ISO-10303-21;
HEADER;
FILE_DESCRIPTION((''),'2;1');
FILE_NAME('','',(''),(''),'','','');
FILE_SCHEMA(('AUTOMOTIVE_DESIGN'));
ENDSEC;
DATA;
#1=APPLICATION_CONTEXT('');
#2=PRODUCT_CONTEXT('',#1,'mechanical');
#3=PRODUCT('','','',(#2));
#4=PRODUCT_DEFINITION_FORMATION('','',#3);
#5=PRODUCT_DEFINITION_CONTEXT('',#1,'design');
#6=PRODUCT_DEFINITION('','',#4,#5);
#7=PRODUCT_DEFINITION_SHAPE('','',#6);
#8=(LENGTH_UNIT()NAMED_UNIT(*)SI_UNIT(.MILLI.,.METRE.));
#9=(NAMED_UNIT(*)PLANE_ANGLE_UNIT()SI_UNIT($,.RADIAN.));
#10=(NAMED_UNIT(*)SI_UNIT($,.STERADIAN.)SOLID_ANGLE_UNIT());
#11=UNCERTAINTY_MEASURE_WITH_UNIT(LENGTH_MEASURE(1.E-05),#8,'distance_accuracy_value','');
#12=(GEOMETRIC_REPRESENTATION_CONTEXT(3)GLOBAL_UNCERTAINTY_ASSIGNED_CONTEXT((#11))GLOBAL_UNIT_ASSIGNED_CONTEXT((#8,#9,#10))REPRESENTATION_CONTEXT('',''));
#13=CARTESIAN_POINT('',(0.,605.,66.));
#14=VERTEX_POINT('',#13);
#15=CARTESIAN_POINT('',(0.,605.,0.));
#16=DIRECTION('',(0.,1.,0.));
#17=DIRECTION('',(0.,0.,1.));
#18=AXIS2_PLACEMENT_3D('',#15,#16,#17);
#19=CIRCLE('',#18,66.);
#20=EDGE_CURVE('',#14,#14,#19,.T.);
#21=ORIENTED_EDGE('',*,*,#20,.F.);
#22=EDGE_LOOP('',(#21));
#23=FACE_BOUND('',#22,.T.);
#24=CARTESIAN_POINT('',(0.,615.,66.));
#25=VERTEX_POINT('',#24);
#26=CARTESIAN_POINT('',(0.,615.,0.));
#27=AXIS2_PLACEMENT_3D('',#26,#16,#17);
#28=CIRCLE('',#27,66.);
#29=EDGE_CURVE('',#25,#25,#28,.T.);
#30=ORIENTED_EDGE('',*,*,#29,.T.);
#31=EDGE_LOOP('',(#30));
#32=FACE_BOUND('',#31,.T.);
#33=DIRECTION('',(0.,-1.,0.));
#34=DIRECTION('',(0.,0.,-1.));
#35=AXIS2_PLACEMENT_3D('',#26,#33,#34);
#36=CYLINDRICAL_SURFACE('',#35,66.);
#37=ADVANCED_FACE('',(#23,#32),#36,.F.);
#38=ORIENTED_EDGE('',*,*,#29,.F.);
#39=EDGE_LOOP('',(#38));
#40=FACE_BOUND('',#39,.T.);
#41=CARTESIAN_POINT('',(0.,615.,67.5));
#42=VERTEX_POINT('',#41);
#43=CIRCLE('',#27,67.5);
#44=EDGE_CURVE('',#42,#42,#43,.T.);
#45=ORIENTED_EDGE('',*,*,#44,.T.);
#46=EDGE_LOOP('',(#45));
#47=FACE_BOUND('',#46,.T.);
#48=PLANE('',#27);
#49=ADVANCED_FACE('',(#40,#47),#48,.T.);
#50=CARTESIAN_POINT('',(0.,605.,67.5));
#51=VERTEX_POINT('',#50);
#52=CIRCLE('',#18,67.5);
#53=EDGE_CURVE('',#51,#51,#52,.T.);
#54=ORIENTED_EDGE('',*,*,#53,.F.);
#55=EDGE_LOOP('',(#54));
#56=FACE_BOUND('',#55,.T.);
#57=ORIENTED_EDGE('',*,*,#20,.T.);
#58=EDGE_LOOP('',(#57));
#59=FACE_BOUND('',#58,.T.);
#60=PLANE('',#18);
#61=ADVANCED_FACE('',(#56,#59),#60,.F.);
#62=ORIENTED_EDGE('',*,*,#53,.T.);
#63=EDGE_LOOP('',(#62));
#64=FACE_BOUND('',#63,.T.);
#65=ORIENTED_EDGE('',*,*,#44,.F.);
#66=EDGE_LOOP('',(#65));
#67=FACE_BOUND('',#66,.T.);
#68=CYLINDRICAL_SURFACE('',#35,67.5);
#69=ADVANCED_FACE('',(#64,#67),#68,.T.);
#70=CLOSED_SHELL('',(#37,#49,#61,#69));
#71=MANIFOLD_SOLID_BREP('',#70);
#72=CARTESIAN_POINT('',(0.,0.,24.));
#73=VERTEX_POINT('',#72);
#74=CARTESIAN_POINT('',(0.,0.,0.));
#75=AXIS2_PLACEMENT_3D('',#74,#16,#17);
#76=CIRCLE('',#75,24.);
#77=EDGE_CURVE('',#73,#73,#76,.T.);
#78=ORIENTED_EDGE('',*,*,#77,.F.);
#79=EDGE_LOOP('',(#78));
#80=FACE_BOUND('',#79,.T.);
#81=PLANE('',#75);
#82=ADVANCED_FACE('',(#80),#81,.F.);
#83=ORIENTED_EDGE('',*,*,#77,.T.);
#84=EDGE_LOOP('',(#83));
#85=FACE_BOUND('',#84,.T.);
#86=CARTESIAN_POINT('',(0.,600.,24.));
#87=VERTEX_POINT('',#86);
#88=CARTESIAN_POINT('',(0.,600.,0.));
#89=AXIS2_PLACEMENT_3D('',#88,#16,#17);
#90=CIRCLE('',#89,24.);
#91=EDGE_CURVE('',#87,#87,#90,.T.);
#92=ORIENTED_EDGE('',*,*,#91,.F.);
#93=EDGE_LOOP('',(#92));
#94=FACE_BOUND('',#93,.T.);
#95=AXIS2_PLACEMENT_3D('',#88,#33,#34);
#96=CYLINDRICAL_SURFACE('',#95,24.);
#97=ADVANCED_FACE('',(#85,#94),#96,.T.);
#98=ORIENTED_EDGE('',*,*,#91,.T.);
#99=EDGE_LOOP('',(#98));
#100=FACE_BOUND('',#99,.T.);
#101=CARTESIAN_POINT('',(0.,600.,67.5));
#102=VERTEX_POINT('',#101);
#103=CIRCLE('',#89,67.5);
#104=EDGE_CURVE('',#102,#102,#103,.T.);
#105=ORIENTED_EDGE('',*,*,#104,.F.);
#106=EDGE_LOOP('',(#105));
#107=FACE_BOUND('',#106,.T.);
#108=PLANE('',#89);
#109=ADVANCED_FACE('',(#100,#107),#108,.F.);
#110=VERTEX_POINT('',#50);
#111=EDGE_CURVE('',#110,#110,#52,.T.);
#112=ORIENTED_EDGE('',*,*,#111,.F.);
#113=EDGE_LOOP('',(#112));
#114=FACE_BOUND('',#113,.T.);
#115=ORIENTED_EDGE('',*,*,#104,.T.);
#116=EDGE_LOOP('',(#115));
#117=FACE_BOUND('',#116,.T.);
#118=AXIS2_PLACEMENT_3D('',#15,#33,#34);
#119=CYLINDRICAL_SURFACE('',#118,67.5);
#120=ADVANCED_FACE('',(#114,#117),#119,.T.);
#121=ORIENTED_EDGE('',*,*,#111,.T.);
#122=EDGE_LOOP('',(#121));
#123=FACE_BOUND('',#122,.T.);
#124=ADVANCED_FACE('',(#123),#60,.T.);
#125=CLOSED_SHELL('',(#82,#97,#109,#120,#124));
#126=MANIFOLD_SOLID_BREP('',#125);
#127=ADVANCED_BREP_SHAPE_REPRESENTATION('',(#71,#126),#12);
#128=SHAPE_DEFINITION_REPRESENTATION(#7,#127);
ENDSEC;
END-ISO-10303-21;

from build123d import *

# Parameters (mm, degrees)
SKETCH1_R           = 24
BOSS_EXTRUDE1_DEPTH = 600
SKETCH7_R           = 67.5
BOSS_EXTRUDE5_DEPTH = 5
SKETCH6_R           = 67.5
SKETCH6_R_2         = 66
BOSS_EXTRUDE4_DEPTH = 10


with BuildPart() as part:
    # Sketch1 → Boss-Extrude1 (new body)
    with BuildSketch(Plane(origin=(0, 0, 0), x_dir=(1, 0, 0), z_dir=(0, 1, 0))):
        Circle(SKETCH1_R)
    extrude(amount=BOSS_EXTRUDE1_DEPTH)

    # Sketch7 → Boss-Extrude5 (add)
    with BuildSketch(Plane(origin=(0, 600, 0), x_dir=(1, 0, 0), z_dir=(0, 1, 0))):
        Circle(SKETCH7_R)
    extrude(amount=BOSS_EXTRUDE5_DEPTH)


with BuildPart() as body_2:
    # Sketch6 → Boss-Extrude4 (new body)
    with BuildSketch(Plane(origin=(0, 605, 0), x_dir=(1, 0, 0), z_dir=(0, 1, 0))):
        Circle(SKETCH6_R)
        Circle(SKETCH6_R_2, mode=Mode.SUBTRACT)
    extrude(amount=BOSS_EXTRUDE4_DEPTH)


solid = Compound([part.part, body_2.part])
